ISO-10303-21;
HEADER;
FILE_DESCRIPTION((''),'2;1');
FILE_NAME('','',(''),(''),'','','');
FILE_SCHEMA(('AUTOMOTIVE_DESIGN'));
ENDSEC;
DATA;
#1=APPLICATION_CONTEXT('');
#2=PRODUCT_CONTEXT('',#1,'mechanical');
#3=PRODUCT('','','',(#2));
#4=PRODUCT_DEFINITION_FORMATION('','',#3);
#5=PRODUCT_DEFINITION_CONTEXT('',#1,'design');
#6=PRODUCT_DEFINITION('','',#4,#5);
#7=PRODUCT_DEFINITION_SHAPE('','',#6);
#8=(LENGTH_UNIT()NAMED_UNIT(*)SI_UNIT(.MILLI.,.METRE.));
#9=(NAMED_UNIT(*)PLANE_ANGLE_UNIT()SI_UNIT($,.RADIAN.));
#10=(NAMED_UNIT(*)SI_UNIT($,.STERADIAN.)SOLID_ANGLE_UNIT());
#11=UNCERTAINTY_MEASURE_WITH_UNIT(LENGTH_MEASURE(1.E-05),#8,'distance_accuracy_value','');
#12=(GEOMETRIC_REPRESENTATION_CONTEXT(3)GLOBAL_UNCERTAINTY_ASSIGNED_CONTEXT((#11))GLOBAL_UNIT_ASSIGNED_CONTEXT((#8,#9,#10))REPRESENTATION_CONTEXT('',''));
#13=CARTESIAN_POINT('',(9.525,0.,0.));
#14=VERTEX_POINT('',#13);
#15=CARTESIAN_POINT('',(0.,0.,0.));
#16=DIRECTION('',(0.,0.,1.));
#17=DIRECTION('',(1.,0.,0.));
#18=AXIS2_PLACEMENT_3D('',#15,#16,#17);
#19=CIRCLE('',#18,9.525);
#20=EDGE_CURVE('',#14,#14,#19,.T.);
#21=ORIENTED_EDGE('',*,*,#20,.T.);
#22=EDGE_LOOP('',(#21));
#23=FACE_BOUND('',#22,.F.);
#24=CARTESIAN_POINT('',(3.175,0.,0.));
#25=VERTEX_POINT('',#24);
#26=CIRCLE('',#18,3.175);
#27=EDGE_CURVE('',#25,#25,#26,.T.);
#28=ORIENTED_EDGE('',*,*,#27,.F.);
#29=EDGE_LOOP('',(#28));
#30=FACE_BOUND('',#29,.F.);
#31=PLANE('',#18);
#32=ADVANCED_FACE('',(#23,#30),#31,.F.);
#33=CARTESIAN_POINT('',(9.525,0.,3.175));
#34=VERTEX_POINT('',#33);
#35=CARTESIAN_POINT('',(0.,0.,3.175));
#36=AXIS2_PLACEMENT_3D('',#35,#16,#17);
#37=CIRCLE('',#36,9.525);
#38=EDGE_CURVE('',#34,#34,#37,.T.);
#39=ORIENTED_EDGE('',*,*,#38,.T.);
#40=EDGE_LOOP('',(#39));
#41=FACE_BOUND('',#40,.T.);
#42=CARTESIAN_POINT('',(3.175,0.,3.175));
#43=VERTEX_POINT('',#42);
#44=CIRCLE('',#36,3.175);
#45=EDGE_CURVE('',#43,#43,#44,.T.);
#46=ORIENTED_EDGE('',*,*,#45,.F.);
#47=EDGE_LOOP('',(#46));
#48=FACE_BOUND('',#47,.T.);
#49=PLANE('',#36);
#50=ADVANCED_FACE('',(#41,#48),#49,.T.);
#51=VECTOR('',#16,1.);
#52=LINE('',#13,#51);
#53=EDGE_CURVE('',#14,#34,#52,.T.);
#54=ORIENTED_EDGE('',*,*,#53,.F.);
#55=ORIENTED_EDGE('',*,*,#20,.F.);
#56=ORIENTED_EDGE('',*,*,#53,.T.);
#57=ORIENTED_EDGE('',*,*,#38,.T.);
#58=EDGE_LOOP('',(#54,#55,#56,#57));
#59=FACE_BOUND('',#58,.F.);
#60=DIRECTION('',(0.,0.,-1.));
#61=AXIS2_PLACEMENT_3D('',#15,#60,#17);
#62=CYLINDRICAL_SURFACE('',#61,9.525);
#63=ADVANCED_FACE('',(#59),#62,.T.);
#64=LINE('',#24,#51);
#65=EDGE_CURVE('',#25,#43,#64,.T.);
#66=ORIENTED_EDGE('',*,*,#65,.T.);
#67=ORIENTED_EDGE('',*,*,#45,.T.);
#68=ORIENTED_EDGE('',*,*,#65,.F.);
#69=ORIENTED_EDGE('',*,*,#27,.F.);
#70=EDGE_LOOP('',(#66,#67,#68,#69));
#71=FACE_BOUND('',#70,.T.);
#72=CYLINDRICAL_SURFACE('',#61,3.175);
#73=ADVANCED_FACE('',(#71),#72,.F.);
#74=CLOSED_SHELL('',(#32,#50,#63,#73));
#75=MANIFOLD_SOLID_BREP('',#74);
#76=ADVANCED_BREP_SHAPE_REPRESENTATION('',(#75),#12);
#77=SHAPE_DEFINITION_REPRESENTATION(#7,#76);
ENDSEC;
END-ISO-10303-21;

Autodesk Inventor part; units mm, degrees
ref_plane "YZ Plane" through (0, 0, 0) normal (1, 0, 0) x (0, 1, 0)
ref_plane "XZ Plane" through (0, 0, 0) normal (0, 1, 0) x (-1, 0, 0)
ref_plane "XY Plane" through (0, 0, 0) normal (0, 0, 1) x (1, 0, 0)
sketch "Sketch1" plane through (0, 0, 0) normal (0, 0, 1) x (1, 0, 0)
  circle A0 centre (0, 0) radius 9.525
  circle A1 centre (0, 0) radius 3.175
  dimension "d0" = 19.05
  dimension "d1" = 6.35
extrude "Extrusion1" add sketch "Sketch1" along normal blind 3.175
properties part number "washerino"
